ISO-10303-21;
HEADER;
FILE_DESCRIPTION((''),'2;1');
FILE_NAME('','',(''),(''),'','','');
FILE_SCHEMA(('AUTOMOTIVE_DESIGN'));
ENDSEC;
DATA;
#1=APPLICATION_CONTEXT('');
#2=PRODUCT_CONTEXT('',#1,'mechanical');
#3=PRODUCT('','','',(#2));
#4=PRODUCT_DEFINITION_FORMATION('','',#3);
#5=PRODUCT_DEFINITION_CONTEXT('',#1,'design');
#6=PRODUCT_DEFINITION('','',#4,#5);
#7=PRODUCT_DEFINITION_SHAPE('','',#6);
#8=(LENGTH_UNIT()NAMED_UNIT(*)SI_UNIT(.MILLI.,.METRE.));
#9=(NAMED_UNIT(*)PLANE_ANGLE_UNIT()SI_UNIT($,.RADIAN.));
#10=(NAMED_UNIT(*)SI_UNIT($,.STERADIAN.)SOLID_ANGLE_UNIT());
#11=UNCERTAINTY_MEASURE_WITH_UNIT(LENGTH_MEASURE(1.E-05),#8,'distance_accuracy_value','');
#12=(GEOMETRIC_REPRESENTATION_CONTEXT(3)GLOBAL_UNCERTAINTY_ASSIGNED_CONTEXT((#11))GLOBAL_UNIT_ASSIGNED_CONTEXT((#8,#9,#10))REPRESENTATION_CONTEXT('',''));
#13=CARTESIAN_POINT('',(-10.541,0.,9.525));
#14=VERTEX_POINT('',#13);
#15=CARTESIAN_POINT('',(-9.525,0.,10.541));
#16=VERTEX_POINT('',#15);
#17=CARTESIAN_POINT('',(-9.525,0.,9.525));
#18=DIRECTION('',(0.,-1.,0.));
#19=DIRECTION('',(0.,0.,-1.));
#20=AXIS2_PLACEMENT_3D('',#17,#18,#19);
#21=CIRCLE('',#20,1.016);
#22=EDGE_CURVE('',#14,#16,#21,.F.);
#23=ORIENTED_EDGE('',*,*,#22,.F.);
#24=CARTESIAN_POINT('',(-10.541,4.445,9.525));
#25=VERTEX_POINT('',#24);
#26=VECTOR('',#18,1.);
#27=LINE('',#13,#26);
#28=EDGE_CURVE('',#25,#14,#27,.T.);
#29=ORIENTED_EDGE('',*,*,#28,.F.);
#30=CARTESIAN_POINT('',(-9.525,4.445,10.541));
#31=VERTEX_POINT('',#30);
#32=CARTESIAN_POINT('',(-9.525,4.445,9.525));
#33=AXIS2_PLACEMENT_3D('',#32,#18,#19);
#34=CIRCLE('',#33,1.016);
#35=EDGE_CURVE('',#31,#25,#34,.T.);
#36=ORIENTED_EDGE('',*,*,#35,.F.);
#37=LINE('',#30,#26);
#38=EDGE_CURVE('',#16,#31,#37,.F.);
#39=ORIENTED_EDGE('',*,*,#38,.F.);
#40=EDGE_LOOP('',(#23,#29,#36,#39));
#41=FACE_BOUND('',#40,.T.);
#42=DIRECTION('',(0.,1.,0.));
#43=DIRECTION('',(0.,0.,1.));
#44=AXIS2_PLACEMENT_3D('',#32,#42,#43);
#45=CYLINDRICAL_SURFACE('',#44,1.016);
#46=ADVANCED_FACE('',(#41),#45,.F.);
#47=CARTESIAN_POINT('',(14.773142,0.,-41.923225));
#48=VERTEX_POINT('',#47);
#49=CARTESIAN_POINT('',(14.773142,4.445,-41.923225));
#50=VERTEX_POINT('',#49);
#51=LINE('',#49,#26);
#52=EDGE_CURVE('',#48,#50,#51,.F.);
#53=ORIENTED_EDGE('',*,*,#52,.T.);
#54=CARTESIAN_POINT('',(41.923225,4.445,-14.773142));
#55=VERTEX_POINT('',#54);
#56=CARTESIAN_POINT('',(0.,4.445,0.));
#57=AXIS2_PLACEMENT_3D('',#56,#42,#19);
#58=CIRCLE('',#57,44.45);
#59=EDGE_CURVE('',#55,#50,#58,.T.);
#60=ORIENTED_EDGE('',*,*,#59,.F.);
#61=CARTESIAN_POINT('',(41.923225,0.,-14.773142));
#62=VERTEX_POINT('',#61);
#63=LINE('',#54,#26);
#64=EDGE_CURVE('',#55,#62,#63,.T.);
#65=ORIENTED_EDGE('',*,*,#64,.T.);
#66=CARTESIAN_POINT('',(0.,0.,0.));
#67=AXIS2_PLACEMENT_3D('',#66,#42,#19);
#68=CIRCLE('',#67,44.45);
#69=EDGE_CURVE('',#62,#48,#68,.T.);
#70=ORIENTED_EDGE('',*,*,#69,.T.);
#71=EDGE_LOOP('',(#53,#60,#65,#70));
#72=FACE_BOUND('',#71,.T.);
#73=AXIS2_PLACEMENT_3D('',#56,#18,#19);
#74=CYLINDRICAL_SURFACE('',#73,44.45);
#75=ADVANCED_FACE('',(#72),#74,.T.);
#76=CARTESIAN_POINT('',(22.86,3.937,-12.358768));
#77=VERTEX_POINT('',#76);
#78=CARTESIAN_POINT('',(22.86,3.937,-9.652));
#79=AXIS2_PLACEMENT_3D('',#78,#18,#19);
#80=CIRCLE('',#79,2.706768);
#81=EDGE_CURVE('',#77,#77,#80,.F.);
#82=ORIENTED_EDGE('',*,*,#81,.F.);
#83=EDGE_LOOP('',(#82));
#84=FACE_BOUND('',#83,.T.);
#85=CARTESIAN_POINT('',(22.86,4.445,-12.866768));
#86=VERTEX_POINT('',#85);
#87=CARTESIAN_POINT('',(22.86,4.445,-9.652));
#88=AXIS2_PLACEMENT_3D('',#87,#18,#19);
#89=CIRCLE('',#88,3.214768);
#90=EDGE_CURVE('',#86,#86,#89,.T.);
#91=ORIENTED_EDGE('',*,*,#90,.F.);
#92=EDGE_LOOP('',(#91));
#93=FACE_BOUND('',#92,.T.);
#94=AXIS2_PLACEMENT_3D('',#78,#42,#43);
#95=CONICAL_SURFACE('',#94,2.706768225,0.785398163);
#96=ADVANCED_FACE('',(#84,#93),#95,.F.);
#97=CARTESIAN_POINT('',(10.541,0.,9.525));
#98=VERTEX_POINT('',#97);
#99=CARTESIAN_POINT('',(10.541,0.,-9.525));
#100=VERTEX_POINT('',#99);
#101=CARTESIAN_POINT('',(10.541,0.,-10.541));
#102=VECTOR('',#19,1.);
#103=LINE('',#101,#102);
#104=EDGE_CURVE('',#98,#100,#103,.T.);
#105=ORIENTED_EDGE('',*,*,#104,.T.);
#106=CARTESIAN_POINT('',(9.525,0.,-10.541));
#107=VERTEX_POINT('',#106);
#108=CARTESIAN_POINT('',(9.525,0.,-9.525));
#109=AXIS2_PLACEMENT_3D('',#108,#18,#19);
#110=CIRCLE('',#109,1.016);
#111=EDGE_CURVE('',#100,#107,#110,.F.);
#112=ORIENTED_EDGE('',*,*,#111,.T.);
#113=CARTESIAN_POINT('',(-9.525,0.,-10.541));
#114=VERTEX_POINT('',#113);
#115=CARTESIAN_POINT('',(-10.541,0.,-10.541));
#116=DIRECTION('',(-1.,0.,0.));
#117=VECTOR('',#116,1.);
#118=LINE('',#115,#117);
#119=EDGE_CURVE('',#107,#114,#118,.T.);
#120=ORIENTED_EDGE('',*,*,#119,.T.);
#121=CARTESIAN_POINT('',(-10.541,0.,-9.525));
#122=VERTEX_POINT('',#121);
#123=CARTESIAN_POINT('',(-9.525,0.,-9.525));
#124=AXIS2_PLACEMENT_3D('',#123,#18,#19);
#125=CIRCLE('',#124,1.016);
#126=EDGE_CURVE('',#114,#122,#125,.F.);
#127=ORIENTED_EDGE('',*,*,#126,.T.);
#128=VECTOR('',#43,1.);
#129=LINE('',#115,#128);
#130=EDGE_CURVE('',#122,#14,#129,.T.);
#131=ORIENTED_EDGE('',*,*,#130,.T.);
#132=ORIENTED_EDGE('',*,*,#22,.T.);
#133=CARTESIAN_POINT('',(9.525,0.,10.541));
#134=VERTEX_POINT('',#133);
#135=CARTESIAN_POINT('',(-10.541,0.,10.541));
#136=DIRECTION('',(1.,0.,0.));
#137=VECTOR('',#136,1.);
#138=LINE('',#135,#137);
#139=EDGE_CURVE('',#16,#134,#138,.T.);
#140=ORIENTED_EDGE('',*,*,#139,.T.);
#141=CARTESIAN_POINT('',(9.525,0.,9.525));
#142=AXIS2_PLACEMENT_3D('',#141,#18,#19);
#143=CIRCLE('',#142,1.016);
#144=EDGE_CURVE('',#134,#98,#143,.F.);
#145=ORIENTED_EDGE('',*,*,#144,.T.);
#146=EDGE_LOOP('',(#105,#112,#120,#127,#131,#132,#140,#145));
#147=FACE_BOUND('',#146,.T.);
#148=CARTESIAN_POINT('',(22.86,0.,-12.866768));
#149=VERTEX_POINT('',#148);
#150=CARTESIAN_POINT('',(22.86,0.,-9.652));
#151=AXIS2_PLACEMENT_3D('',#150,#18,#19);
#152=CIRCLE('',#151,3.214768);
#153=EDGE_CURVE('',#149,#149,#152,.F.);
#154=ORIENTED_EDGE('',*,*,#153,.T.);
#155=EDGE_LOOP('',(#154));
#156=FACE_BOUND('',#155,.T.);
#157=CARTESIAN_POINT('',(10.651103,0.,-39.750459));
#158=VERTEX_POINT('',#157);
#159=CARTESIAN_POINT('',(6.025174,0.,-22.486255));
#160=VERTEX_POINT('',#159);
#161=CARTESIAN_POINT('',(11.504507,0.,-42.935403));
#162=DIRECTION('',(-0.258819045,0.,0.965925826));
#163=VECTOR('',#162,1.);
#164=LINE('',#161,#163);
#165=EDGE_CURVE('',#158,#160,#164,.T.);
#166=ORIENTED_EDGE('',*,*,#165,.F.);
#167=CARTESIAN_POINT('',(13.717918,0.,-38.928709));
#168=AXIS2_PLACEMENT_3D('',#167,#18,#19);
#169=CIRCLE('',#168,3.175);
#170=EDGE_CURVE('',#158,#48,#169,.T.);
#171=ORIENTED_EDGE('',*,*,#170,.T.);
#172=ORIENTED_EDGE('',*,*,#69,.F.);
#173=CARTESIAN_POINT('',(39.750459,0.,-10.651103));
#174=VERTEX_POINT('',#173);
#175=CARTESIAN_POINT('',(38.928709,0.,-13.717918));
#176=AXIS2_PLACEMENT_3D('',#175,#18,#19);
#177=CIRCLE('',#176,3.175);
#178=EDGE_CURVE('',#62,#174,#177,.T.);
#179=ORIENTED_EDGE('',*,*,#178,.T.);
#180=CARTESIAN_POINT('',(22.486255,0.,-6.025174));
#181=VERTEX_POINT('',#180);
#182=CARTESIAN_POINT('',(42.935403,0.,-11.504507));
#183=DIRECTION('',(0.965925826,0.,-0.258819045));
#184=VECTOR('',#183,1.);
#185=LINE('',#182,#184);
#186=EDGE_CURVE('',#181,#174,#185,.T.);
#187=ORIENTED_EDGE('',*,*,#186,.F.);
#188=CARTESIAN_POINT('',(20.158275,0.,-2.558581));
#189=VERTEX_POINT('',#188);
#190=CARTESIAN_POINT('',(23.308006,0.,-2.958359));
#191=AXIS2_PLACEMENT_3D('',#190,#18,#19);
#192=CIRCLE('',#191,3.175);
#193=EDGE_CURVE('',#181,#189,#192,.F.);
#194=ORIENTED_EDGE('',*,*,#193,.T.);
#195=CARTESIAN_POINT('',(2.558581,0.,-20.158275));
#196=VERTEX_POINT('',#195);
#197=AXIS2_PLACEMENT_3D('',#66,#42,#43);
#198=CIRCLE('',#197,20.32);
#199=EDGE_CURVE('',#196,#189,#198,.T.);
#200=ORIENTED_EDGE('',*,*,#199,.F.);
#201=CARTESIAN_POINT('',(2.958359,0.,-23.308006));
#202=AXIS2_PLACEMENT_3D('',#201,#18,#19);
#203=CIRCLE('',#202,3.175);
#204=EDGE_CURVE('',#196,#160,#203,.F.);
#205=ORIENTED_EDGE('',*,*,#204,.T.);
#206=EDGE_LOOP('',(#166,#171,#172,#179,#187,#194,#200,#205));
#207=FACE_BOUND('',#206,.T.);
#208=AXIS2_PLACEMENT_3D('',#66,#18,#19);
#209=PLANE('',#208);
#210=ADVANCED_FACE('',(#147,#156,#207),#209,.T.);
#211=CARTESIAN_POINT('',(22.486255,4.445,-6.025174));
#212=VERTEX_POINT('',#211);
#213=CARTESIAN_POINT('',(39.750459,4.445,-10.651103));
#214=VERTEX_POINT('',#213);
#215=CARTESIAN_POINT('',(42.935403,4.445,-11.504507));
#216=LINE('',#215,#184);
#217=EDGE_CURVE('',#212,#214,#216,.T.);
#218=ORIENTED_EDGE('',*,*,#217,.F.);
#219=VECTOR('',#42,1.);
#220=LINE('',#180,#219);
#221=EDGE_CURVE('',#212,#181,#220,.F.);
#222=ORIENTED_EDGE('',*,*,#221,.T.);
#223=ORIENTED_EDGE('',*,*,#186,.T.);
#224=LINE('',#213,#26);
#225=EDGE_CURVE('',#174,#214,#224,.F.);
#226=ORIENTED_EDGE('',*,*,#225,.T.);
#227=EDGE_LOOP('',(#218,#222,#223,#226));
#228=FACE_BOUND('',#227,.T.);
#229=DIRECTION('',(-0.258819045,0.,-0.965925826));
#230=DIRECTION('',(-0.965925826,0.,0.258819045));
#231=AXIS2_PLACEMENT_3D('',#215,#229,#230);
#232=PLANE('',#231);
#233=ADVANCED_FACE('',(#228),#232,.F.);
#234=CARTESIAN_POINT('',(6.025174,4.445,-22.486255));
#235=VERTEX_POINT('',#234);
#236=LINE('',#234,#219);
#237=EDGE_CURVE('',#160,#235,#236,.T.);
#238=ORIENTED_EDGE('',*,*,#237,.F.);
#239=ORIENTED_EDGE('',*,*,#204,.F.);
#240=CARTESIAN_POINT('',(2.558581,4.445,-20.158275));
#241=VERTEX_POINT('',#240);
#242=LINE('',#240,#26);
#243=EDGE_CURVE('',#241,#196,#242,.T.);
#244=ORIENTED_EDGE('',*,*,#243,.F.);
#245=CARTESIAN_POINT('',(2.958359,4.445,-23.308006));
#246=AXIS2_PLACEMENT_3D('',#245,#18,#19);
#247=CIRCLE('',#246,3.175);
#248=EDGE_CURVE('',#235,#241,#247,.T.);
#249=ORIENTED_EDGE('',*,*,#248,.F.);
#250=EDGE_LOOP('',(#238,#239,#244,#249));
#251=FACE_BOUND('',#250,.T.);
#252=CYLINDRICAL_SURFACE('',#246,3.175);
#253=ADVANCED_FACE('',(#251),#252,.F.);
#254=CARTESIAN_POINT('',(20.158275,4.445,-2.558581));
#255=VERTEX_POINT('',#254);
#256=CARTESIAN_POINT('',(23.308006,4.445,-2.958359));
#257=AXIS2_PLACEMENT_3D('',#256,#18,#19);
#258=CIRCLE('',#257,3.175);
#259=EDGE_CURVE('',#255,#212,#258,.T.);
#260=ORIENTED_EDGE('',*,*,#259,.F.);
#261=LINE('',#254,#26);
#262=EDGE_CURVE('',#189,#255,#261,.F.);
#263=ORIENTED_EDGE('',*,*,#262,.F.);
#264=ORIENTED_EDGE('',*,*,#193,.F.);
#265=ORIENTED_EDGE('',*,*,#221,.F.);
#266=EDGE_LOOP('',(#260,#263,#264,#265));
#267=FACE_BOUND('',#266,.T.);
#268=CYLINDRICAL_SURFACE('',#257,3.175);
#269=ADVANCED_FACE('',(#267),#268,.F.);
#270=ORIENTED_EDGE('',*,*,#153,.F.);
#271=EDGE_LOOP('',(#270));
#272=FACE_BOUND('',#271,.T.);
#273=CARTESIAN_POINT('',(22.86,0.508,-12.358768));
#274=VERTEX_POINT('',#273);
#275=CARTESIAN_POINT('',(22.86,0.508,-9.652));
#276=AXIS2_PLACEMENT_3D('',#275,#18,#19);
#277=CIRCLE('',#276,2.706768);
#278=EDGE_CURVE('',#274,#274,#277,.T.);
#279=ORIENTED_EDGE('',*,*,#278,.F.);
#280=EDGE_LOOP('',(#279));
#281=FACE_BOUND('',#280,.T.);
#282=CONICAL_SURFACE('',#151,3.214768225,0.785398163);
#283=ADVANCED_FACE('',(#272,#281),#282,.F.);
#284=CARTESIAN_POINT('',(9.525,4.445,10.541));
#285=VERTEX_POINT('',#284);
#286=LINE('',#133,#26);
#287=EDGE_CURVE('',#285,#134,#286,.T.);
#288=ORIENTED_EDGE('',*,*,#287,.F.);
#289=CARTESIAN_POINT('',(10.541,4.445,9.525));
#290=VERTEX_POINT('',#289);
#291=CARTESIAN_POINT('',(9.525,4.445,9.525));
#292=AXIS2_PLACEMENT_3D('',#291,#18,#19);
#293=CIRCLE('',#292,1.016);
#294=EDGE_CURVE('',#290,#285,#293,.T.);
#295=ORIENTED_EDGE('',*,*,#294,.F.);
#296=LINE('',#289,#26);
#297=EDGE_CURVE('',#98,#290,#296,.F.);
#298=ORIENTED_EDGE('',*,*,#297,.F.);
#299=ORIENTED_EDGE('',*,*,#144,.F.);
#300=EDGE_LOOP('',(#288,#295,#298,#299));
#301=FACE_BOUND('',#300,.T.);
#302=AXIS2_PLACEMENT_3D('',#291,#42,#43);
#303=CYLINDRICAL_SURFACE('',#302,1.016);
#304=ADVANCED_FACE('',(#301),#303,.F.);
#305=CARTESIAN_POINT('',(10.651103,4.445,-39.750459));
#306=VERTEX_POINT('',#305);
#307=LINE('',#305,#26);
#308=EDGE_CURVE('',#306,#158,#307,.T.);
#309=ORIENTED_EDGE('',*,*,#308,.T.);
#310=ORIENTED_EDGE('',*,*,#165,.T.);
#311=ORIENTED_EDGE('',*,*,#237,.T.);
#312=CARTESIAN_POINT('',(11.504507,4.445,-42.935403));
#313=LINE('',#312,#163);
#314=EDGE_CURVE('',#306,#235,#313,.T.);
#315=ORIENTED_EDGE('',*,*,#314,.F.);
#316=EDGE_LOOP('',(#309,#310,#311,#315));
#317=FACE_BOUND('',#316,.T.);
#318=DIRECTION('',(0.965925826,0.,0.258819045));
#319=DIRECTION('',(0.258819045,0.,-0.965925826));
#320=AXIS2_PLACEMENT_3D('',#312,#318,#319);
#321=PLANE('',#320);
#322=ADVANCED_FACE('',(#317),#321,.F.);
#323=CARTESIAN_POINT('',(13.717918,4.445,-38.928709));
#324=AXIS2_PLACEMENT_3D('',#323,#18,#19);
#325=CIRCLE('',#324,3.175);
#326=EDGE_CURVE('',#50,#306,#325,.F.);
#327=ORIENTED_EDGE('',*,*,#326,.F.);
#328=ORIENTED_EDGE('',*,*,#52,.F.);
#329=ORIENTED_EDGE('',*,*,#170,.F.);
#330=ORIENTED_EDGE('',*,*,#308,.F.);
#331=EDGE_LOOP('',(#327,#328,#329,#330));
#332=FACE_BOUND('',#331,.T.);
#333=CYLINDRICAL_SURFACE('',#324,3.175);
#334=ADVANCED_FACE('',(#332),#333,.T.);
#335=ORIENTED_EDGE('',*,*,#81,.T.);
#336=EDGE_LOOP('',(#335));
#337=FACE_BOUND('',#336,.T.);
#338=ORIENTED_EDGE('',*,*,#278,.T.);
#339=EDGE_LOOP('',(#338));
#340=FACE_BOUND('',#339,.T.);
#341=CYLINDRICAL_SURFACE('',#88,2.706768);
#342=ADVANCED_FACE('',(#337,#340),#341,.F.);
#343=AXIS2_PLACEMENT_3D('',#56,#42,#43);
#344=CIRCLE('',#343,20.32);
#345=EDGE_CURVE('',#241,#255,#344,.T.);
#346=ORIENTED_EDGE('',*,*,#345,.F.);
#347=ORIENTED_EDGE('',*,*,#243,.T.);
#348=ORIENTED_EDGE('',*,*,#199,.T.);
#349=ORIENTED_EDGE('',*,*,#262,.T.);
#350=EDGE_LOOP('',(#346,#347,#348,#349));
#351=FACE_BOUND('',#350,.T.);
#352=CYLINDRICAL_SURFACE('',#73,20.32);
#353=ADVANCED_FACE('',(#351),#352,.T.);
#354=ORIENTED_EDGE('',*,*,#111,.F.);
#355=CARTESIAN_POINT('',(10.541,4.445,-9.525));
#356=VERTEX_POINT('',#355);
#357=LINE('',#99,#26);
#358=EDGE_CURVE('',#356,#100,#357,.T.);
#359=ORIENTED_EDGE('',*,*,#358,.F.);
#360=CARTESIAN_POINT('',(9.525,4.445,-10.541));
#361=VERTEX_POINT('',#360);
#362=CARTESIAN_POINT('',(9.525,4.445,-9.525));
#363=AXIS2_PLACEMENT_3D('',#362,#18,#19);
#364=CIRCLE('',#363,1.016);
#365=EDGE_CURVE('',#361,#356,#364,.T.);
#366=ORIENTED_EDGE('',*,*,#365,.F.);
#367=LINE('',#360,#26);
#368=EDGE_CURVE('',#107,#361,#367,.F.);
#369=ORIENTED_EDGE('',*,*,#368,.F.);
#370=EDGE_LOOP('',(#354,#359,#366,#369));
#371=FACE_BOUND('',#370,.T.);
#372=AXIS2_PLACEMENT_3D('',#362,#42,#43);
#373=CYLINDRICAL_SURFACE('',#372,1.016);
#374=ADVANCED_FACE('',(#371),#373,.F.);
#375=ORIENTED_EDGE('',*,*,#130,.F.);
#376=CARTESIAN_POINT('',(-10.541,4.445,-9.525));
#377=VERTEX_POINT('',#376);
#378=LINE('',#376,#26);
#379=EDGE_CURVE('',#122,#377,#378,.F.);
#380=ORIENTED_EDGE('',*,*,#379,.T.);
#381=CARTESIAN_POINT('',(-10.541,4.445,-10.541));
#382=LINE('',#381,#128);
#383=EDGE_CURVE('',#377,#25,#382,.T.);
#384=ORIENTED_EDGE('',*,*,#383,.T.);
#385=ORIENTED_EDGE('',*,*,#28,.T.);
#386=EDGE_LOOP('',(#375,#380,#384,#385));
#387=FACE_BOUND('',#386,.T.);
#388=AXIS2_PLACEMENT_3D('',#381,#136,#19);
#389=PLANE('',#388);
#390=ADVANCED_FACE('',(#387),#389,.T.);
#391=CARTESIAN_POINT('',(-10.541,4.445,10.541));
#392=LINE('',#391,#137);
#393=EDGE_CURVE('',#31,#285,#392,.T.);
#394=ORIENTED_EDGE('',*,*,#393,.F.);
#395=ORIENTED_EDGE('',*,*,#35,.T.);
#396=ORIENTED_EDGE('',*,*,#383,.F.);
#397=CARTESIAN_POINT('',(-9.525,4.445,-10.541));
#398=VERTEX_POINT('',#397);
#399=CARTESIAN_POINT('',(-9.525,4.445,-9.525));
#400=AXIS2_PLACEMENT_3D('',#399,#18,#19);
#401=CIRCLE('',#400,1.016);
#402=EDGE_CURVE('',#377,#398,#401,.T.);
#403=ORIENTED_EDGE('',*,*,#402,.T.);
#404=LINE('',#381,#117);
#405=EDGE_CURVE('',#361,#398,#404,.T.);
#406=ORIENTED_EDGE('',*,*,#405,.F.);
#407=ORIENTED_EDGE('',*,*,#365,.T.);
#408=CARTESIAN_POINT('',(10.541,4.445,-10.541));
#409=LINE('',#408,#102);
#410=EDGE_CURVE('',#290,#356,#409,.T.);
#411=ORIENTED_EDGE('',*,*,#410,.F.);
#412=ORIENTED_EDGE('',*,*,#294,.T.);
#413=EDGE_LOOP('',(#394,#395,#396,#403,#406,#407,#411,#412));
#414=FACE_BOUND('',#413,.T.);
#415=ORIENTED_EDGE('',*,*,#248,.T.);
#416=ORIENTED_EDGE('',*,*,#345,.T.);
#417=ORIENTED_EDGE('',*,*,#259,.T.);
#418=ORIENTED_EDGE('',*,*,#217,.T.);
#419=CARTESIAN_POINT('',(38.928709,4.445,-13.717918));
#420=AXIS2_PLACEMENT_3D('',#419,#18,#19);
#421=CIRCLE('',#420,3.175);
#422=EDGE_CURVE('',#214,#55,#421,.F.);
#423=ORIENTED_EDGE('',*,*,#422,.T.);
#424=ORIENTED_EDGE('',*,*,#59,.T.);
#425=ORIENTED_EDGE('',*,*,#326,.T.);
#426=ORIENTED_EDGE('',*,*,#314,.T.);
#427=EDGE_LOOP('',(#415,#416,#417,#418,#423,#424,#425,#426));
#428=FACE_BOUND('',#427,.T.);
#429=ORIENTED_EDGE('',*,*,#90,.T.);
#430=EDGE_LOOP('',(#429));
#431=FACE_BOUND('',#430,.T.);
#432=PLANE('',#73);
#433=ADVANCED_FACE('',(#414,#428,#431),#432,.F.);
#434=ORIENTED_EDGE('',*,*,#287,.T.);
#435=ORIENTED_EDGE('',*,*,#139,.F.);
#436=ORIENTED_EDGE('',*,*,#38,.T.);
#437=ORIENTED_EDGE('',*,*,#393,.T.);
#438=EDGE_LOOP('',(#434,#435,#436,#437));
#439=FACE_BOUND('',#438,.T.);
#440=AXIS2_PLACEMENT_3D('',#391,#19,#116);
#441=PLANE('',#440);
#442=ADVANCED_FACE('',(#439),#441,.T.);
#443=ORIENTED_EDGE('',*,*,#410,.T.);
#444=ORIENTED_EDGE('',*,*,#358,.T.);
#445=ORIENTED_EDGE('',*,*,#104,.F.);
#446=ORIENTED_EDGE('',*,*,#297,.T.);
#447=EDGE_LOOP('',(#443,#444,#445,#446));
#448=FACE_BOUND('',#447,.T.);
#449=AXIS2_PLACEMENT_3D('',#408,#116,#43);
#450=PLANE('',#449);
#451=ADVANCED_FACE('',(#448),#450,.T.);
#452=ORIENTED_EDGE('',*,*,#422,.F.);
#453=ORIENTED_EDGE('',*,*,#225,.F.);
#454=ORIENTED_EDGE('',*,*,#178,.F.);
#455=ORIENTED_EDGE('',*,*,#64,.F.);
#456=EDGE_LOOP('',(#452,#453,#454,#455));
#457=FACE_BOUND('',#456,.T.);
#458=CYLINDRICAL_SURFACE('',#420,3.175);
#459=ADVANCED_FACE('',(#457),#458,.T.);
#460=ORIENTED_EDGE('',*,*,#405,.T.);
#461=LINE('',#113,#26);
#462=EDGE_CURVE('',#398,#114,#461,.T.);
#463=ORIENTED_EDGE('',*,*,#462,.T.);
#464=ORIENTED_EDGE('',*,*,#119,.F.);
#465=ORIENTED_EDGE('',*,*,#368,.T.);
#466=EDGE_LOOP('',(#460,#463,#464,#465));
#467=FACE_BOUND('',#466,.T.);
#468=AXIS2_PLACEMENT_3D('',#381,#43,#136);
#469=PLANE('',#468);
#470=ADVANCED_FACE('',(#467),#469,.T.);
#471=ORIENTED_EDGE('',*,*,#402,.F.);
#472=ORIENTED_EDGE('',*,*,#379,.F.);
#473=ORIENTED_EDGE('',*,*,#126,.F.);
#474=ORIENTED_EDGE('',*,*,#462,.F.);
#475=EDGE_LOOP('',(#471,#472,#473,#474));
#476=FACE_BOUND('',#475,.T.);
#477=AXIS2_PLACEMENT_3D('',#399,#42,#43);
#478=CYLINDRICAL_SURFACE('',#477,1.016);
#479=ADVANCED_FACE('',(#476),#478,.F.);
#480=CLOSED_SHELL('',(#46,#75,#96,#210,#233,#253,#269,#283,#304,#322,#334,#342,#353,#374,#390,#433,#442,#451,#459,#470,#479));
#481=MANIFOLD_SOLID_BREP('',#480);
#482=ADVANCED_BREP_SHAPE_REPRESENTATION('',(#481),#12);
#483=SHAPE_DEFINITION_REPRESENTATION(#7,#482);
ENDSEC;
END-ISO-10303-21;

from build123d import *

# Parameters (mm, degrees)
SKETCH2_R           = 2.706768225
SKETCH2_W           = 21.082
SKETCH2_H           = 21.082
BOSS_EXTRUDE1_DEPTH = 4.445
FILLET1_R           = 3.175
FILLET2_R           = 1.016
CHAMFER1_SIZE       = 0.508


with BuildPart() as part:
    # Sketch2 → Boss-Extrude1 (new body)
    with BuildSketch(Plane(origin=(0, 0, 0), x_dir=(1, 0, 0), z_dir=(0, 1, 0))):
        with BuildLine():
            Line((11.504506555, 42.935402979), (5.259202996, 19.62761279))
            ThreePointArc((5.259202996, 19.62761279), (-14.368409794, -14.368409794), (19.62761279, 5.259202996))
            Line((19.62761279, 5.259202996), (42.935402979, 11.504506555))
            ThreePointArc((42.935402979, 11.504506555), (31.430896424, 31.430896424), (11.504506555, 42.935402979))
        make_face()
        with Locations((22.86, 9.652)):
            Circle(SKETCH2_R, mode=Mode.SUBTRACT)
        Rectangle(SKETCH2_W, SKETCH2_H, mode=Mode.SUBTRACT)
    extrude(amount=BOSS_EXTRUDE1_DEPTH)

    # Fillet1
    fillet1_edges = [part.edges().sort_by_distance(p)[0] for p in [
        (42.935402979, 2.2225, -11.504506555),
        (19.62761279, 2.2225, -5.259202996),
        (5.259202996, 2.2225, -19.62761279),
        (11.504506555, 2.2225, -42.935402979),
    ]]
    fillet(fillet1_edges, radius=FILLET1_R)

    # Fillet2
    fillet2_edges = [part.edges().sort_by_distance(p)[0] for p in [
        (10.541, 2.2225, 10.541),
        (10.541, 2.2225, -10.541),
        (-10.541, 2.2225, -10.541),
        (-10.541, 2.2225, 10.541),
    ]]
    fillet(fillet2_edges, radius=FILLET2_R)

    # Chamfer1
    chamfer1_edges = [part.edges().sort_by_distance(p)[0] for p in [
        (20.153231775, 0, -9.652),
        (20.153231775, 4.445, -9.652),
    ]]
    chamfer(chamfer1_edges, length=CHAMFER1_SIZE)


solid = part.part
